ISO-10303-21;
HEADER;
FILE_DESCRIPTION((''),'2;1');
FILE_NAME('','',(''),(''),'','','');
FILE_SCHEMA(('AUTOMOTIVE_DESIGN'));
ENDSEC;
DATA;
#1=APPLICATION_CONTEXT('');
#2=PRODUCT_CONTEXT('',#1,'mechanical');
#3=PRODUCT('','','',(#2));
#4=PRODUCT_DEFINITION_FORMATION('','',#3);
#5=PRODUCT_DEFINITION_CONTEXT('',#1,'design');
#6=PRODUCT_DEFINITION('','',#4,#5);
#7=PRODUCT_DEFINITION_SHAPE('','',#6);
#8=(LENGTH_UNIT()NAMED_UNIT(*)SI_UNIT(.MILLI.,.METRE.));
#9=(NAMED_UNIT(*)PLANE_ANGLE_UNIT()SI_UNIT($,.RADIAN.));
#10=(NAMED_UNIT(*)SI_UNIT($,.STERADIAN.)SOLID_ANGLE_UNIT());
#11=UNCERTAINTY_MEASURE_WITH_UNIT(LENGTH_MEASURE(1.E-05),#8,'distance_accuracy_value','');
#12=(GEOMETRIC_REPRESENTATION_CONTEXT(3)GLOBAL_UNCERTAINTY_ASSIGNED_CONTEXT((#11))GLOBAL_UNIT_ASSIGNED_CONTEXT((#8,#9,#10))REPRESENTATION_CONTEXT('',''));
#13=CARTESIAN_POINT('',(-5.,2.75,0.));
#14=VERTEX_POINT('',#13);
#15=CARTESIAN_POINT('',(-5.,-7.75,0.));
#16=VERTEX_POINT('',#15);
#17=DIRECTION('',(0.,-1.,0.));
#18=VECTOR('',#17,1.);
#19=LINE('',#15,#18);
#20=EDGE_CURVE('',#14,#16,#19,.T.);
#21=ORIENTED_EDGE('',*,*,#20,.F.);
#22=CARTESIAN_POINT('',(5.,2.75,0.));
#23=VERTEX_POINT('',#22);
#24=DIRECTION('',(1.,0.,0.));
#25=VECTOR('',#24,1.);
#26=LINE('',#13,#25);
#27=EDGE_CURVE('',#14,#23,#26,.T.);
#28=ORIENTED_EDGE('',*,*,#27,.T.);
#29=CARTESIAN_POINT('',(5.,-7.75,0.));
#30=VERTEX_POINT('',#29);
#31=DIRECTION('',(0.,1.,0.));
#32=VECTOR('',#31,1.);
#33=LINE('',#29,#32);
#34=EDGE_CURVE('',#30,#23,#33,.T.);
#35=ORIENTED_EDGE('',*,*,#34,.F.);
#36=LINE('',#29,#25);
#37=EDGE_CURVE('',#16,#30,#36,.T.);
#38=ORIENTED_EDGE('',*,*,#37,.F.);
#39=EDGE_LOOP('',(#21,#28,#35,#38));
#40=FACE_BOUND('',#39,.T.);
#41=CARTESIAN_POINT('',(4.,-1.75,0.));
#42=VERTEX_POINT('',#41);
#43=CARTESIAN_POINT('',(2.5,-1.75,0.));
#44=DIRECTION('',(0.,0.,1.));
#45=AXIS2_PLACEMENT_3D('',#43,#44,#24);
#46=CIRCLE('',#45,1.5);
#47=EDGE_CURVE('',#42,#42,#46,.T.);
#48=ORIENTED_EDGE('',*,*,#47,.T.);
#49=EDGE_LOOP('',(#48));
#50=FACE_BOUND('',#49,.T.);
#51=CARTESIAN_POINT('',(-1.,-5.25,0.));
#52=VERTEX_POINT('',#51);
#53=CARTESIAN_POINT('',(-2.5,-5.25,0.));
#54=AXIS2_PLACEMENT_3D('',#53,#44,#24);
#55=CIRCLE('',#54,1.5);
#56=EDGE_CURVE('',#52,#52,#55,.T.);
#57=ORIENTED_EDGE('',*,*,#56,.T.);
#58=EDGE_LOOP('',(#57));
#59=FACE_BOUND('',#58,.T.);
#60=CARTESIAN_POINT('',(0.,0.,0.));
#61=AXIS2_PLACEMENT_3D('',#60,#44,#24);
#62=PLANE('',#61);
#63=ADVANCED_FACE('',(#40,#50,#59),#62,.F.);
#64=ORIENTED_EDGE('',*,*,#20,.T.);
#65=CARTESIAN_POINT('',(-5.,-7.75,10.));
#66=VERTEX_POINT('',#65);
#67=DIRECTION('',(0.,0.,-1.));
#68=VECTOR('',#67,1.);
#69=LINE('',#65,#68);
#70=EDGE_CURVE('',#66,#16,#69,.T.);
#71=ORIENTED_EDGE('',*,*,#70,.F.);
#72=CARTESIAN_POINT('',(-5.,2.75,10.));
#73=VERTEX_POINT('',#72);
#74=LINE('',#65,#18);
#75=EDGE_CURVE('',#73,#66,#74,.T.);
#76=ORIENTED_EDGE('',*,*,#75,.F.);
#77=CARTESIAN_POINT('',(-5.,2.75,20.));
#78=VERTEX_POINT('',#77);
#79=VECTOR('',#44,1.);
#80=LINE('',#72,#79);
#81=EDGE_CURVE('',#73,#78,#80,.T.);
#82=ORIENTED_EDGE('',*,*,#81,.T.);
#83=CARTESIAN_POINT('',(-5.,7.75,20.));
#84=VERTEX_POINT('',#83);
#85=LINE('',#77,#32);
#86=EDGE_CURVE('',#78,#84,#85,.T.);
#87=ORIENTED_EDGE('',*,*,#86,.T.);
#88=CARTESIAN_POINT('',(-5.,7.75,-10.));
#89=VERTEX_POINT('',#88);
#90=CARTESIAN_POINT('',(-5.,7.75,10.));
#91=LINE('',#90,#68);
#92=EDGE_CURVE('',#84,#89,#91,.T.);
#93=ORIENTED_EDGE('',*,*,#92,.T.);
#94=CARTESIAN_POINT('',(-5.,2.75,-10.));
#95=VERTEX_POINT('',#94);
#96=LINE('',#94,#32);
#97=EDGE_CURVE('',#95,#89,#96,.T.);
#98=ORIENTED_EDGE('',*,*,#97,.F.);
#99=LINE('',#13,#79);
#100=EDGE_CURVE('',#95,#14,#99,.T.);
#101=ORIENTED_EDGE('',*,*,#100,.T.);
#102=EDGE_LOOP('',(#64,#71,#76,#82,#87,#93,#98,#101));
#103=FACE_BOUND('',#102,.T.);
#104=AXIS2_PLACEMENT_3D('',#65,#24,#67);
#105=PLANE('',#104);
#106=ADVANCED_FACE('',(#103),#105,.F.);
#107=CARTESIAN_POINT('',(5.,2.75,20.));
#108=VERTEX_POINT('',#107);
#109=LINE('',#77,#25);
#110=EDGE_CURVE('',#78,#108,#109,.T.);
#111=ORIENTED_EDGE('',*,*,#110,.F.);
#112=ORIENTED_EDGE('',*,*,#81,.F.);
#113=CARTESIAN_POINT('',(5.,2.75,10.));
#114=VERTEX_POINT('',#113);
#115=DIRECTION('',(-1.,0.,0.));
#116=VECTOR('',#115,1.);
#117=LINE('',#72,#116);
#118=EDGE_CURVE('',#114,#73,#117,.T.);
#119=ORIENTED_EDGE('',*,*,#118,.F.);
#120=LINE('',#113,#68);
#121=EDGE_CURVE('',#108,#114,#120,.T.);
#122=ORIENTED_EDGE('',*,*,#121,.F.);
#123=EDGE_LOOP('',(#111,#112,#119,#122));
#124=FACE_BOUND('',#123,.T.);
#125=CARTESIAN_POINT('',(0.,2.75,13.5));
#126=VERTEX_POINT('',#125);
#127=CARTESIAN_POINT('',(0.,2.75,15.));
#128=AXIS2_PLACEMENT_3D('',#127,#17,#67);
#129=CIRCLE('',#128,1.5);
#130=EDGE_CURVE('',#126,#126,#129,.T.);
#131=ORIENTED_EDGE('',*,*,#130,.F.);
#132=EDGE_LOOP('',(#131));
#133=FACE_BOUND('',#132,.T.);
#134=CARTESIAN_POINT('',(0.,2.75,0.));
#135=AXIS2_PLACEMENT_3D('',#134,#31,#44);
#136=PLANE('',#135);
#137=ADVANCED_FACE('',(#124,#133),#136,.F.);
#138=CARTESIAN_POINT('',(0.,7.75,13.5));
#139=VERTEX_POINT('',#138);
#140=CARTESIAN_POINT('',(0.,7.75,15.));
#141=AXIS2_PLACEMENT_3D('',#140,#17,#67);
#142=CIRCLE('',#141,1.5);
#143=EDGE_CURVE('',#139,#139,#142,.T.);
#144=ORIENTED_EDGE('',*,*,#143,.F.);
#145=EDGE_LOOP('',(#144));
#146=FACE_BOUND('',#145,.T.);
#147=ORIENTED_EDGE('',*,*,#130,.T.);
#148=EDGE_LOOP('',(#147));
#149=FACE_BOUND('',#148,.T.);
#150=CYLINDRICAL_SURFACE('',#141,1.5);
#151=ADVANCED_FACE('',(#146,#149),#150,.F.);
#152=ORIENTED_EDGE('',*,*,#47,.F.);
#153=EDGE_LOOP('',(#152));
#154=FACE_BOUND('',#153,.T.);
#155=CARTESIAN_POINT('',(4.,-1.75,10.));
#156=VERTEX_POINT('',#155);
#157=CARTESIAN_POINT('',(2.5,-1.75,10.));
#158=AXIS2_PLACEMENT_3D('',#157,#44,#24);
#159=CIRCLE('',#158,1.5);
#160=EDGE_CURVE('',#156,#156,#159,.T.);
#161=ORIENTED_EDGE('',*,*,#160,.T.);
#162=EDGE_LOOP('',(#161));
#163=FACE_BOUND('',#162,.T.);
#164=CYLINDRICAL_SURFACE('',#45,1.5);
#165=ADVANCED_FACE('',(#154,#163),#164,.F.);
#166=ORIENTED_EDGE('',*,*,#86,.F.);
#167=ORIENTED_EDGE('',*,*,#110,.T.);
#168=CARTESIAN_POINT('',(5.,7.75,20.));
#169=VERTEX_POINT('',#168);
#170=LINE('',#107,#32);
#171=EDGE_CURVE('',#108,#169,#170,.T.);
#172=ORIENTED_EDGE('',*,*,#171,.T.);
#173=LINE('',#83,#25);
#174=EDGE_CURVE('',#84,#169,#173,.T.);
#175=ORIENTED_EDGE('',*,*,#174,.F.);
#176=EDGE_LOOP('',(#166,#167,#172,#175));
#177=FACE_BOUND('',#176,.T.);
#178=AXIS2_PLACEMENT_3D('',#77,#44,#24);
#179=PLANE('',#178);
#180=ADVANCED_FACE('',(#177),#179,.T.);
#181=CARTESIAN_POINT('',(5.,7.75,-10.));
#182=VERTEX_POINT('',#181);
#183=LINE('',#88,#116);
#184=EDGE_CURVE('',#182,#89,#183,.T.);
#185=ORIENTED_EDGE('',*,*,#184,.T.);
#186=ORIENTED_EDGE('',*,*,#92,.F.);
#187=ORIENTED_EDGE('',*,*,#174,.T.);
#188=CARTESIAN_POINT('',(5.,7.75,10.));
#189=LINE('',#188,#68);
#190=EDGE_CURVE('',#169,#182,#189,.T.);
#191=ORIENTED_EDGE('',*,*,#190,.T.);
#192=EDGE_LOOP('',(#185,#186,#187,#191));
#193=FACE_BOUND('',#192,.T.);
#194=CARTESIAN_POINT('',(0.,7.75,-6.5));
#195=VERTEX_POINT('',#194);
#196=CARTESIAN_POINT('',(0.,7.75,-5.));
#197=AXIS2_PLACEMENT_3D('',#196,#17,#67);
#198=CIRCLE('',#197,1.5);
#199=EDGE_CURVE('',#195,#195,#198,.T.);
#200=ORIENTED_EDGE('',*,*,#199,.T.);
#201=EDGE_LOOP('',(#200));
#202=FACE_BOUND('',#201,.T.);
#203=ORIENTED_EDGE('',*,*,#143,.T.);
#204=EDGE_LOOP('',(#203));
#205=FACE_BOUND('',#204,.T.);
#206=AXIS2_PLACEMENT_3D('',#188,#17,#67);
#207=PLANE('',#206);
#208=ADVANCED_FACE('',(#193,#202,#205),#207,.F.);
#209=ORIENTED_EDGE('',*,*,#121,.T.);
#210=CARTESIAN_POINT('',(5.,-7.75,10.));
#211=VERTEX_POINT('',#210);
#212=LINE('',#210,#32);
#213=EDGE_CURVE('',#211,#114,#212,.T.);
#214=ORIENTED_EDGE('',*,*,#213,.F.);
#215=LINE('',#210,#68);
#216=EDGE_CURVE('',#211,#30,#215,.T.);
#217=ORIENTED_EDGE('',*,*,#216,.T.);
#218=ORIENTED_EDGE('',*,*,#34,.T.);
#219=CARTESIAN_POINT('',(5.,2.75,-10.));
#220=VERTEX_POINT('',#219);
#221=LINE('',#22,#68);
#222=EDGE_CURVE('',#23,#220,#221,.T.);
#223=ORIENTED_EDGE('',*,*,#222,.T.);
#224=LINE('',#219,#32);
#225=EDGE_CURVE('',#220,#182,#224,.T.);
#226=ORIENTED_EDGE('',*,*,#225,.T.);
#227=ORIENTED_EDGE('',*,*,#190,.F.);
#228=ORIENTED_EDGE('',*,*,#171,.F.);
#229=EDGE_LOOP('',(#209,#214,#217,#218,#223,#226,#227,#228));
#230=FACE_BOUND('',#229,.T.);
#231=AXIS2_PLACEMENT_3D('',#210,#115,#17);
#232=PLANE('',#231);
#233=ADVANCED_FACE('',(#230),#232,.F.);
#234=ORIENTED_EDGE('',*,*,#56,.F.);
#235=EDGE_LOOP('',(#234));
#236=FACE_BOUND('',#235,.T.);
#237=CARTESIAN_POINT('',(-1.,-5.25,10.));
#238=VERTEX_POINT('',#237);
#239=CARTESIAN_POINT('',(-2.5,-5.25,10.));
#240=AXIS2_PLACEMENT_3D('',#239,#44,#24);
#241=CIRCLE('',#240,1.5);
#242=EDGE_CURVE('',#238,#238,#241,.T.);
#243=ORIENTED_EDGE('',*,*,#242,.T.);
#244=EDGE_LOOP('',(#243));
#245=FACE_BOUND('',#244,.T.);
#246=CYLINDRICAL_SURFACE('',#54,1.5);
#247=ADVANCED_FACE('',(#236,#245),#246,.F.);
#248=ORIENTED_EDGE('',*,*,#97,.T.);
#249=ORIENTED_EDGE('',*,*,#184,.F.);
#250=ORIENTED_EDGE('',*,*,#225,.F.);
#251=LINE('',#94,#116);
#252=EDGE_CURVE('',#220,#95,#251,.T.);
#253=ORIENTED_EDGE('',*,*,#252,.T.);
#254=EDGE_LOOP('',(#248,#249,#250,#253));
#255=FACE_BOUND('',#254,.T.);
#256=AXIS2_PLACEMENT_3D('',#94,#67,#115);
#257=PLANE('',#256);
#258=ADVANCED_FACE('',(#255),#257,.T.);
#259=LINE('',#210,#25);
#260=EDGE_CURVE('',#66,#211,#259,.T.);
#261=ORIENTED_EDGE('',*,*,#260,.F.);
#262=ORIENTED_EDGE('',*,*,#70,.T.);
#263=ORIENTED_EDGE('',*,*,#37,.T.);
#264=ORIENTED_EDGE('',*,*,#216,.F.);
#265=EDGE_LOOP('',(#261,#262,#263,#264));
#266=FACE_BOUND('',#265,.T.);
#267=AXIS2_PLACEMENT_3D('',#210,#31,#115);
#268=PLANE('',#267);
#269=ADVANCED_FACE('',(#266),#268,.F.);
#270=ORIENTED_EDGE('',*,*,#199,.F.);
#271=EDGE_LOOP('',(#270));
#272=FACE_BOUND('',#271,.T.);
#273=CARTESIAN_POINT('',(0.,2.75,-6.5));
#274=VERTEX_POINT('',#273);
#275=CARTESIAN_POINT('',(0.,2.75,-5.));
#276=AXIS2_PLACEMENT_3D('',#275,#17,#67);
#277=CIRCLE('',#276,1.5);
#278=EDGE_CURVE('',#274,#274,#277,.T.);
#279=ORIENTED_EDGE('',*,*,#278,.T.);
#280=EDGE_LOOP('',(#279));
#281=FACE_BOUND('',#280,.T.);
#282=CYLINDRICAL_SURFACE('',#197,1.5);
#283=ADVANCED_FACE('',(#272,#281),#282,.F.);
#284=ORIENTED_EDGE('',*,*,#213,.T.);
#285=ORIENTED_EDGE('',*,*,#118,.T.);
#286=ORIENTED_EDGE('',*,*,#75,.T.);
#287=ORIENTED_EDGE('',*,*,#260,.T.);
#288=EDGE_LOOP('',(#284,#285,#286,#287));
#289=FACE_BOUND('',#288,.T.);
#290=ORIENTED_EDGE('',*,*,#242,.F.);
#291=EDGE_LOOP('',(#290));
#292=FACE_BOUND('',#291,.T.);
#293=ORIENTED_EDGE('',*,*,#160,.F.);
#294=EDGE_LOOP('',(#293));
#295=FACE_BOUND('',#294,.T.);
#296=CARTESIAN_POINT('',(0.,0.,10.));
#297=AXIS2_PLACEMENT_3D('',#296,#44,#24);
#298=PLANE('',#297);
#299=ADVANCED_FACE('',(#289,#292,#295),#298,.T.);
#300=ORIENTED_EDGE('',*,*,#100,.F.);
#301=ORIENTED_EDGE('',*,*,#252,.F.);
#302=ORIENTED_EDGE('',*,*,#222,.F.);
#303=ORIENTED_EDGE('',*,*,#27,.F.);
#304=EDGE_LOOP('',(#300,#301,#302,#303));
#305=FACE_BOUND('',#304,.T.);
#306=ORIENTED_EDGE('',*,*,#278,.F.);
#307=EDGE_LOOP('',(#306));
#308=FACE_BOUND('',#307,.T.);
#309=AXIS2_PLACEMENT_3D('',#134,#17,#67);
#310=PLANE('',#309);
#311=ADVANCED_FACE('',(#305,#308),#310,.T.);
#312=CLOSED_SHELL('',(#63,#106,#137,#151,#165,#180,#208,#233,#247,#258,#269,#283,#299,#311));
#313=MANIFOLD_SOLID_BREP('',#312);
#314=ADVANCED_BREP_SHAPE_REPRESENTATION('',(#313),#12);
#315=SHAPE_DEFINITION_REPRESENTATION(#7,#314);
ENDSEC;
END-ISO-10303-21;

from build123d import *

# Parameters (mm, degrees)
SKETCH_1_W          = 10
SKETCH_1_H          = 15.5
EXTRUDE_1_DEPTH     = 10
SKETCH_2_W          = 10
SKETCH_2_H          = 10
EXTRUDE_2_DEPTH     = 5
SKETCH_3_R          = 1.5
CUT_EXTRUDE_1_DEPTH = 5
SKETCH_4_R          = 1.5
CUT_EXTRUDE_2_DEPTH = 10


with BuildPart() as part:
    # 草图1 → 凸台-拉伸1 (new body)
    with BuildSketch(Plane.XY):
        Rectangle(SKETCH_1_W, SKETCH_1_H)
    extrude(amount=EXTRUDE_1_DEPTH)

    # 草图2 → 凸台-拉伸2 (add)
    with BuildSketch(Plane(origin=(0, 7.75, 0), x_dir=(1, 0, 0), z_dir=(0, 1, 0))):
        with Locations((0, -15)):
            Rectangle(SKETCH_2_W, SKETCH_2_H)
        with Locations((0, 5)):
            Rectangle(SKETCH_2_W, SKETCH_2_H)
    extrude(amount=-EXTRUDE_2_DEPTH)

    # 草图3 → 切除-拉伸1 (cut)
    with BuildSketch(Plane.XZ.offset(-2.75)):
        with Locations(Location((0, -5, 0), (0, 0, 270))):
            Circle(SKETCH_3_R)
        with Locations(Location((0, 15, 0), (0, 0, 270))):
            Circle(SKETCH_3_R)
    extrude(amount=-CUT_EXTRUDE_1_DEPTH, mode=Mode.SUBTRACT)

    # 草图4 → 切除-拉伸2 (cut)
    with BuildSketch(Plane.XY.offset(10)):
        with Locations((-2.5, -5.25)):
            Circle(SKETCH_4_R)
        with Locations((2.5, -1.75)):
            Circle(SKETCH_4_R)
    extrude(amount=-CUT_EXTRUDE_2_DEPTH, mode=Mode.SUBTRACT)


solid = part.part
